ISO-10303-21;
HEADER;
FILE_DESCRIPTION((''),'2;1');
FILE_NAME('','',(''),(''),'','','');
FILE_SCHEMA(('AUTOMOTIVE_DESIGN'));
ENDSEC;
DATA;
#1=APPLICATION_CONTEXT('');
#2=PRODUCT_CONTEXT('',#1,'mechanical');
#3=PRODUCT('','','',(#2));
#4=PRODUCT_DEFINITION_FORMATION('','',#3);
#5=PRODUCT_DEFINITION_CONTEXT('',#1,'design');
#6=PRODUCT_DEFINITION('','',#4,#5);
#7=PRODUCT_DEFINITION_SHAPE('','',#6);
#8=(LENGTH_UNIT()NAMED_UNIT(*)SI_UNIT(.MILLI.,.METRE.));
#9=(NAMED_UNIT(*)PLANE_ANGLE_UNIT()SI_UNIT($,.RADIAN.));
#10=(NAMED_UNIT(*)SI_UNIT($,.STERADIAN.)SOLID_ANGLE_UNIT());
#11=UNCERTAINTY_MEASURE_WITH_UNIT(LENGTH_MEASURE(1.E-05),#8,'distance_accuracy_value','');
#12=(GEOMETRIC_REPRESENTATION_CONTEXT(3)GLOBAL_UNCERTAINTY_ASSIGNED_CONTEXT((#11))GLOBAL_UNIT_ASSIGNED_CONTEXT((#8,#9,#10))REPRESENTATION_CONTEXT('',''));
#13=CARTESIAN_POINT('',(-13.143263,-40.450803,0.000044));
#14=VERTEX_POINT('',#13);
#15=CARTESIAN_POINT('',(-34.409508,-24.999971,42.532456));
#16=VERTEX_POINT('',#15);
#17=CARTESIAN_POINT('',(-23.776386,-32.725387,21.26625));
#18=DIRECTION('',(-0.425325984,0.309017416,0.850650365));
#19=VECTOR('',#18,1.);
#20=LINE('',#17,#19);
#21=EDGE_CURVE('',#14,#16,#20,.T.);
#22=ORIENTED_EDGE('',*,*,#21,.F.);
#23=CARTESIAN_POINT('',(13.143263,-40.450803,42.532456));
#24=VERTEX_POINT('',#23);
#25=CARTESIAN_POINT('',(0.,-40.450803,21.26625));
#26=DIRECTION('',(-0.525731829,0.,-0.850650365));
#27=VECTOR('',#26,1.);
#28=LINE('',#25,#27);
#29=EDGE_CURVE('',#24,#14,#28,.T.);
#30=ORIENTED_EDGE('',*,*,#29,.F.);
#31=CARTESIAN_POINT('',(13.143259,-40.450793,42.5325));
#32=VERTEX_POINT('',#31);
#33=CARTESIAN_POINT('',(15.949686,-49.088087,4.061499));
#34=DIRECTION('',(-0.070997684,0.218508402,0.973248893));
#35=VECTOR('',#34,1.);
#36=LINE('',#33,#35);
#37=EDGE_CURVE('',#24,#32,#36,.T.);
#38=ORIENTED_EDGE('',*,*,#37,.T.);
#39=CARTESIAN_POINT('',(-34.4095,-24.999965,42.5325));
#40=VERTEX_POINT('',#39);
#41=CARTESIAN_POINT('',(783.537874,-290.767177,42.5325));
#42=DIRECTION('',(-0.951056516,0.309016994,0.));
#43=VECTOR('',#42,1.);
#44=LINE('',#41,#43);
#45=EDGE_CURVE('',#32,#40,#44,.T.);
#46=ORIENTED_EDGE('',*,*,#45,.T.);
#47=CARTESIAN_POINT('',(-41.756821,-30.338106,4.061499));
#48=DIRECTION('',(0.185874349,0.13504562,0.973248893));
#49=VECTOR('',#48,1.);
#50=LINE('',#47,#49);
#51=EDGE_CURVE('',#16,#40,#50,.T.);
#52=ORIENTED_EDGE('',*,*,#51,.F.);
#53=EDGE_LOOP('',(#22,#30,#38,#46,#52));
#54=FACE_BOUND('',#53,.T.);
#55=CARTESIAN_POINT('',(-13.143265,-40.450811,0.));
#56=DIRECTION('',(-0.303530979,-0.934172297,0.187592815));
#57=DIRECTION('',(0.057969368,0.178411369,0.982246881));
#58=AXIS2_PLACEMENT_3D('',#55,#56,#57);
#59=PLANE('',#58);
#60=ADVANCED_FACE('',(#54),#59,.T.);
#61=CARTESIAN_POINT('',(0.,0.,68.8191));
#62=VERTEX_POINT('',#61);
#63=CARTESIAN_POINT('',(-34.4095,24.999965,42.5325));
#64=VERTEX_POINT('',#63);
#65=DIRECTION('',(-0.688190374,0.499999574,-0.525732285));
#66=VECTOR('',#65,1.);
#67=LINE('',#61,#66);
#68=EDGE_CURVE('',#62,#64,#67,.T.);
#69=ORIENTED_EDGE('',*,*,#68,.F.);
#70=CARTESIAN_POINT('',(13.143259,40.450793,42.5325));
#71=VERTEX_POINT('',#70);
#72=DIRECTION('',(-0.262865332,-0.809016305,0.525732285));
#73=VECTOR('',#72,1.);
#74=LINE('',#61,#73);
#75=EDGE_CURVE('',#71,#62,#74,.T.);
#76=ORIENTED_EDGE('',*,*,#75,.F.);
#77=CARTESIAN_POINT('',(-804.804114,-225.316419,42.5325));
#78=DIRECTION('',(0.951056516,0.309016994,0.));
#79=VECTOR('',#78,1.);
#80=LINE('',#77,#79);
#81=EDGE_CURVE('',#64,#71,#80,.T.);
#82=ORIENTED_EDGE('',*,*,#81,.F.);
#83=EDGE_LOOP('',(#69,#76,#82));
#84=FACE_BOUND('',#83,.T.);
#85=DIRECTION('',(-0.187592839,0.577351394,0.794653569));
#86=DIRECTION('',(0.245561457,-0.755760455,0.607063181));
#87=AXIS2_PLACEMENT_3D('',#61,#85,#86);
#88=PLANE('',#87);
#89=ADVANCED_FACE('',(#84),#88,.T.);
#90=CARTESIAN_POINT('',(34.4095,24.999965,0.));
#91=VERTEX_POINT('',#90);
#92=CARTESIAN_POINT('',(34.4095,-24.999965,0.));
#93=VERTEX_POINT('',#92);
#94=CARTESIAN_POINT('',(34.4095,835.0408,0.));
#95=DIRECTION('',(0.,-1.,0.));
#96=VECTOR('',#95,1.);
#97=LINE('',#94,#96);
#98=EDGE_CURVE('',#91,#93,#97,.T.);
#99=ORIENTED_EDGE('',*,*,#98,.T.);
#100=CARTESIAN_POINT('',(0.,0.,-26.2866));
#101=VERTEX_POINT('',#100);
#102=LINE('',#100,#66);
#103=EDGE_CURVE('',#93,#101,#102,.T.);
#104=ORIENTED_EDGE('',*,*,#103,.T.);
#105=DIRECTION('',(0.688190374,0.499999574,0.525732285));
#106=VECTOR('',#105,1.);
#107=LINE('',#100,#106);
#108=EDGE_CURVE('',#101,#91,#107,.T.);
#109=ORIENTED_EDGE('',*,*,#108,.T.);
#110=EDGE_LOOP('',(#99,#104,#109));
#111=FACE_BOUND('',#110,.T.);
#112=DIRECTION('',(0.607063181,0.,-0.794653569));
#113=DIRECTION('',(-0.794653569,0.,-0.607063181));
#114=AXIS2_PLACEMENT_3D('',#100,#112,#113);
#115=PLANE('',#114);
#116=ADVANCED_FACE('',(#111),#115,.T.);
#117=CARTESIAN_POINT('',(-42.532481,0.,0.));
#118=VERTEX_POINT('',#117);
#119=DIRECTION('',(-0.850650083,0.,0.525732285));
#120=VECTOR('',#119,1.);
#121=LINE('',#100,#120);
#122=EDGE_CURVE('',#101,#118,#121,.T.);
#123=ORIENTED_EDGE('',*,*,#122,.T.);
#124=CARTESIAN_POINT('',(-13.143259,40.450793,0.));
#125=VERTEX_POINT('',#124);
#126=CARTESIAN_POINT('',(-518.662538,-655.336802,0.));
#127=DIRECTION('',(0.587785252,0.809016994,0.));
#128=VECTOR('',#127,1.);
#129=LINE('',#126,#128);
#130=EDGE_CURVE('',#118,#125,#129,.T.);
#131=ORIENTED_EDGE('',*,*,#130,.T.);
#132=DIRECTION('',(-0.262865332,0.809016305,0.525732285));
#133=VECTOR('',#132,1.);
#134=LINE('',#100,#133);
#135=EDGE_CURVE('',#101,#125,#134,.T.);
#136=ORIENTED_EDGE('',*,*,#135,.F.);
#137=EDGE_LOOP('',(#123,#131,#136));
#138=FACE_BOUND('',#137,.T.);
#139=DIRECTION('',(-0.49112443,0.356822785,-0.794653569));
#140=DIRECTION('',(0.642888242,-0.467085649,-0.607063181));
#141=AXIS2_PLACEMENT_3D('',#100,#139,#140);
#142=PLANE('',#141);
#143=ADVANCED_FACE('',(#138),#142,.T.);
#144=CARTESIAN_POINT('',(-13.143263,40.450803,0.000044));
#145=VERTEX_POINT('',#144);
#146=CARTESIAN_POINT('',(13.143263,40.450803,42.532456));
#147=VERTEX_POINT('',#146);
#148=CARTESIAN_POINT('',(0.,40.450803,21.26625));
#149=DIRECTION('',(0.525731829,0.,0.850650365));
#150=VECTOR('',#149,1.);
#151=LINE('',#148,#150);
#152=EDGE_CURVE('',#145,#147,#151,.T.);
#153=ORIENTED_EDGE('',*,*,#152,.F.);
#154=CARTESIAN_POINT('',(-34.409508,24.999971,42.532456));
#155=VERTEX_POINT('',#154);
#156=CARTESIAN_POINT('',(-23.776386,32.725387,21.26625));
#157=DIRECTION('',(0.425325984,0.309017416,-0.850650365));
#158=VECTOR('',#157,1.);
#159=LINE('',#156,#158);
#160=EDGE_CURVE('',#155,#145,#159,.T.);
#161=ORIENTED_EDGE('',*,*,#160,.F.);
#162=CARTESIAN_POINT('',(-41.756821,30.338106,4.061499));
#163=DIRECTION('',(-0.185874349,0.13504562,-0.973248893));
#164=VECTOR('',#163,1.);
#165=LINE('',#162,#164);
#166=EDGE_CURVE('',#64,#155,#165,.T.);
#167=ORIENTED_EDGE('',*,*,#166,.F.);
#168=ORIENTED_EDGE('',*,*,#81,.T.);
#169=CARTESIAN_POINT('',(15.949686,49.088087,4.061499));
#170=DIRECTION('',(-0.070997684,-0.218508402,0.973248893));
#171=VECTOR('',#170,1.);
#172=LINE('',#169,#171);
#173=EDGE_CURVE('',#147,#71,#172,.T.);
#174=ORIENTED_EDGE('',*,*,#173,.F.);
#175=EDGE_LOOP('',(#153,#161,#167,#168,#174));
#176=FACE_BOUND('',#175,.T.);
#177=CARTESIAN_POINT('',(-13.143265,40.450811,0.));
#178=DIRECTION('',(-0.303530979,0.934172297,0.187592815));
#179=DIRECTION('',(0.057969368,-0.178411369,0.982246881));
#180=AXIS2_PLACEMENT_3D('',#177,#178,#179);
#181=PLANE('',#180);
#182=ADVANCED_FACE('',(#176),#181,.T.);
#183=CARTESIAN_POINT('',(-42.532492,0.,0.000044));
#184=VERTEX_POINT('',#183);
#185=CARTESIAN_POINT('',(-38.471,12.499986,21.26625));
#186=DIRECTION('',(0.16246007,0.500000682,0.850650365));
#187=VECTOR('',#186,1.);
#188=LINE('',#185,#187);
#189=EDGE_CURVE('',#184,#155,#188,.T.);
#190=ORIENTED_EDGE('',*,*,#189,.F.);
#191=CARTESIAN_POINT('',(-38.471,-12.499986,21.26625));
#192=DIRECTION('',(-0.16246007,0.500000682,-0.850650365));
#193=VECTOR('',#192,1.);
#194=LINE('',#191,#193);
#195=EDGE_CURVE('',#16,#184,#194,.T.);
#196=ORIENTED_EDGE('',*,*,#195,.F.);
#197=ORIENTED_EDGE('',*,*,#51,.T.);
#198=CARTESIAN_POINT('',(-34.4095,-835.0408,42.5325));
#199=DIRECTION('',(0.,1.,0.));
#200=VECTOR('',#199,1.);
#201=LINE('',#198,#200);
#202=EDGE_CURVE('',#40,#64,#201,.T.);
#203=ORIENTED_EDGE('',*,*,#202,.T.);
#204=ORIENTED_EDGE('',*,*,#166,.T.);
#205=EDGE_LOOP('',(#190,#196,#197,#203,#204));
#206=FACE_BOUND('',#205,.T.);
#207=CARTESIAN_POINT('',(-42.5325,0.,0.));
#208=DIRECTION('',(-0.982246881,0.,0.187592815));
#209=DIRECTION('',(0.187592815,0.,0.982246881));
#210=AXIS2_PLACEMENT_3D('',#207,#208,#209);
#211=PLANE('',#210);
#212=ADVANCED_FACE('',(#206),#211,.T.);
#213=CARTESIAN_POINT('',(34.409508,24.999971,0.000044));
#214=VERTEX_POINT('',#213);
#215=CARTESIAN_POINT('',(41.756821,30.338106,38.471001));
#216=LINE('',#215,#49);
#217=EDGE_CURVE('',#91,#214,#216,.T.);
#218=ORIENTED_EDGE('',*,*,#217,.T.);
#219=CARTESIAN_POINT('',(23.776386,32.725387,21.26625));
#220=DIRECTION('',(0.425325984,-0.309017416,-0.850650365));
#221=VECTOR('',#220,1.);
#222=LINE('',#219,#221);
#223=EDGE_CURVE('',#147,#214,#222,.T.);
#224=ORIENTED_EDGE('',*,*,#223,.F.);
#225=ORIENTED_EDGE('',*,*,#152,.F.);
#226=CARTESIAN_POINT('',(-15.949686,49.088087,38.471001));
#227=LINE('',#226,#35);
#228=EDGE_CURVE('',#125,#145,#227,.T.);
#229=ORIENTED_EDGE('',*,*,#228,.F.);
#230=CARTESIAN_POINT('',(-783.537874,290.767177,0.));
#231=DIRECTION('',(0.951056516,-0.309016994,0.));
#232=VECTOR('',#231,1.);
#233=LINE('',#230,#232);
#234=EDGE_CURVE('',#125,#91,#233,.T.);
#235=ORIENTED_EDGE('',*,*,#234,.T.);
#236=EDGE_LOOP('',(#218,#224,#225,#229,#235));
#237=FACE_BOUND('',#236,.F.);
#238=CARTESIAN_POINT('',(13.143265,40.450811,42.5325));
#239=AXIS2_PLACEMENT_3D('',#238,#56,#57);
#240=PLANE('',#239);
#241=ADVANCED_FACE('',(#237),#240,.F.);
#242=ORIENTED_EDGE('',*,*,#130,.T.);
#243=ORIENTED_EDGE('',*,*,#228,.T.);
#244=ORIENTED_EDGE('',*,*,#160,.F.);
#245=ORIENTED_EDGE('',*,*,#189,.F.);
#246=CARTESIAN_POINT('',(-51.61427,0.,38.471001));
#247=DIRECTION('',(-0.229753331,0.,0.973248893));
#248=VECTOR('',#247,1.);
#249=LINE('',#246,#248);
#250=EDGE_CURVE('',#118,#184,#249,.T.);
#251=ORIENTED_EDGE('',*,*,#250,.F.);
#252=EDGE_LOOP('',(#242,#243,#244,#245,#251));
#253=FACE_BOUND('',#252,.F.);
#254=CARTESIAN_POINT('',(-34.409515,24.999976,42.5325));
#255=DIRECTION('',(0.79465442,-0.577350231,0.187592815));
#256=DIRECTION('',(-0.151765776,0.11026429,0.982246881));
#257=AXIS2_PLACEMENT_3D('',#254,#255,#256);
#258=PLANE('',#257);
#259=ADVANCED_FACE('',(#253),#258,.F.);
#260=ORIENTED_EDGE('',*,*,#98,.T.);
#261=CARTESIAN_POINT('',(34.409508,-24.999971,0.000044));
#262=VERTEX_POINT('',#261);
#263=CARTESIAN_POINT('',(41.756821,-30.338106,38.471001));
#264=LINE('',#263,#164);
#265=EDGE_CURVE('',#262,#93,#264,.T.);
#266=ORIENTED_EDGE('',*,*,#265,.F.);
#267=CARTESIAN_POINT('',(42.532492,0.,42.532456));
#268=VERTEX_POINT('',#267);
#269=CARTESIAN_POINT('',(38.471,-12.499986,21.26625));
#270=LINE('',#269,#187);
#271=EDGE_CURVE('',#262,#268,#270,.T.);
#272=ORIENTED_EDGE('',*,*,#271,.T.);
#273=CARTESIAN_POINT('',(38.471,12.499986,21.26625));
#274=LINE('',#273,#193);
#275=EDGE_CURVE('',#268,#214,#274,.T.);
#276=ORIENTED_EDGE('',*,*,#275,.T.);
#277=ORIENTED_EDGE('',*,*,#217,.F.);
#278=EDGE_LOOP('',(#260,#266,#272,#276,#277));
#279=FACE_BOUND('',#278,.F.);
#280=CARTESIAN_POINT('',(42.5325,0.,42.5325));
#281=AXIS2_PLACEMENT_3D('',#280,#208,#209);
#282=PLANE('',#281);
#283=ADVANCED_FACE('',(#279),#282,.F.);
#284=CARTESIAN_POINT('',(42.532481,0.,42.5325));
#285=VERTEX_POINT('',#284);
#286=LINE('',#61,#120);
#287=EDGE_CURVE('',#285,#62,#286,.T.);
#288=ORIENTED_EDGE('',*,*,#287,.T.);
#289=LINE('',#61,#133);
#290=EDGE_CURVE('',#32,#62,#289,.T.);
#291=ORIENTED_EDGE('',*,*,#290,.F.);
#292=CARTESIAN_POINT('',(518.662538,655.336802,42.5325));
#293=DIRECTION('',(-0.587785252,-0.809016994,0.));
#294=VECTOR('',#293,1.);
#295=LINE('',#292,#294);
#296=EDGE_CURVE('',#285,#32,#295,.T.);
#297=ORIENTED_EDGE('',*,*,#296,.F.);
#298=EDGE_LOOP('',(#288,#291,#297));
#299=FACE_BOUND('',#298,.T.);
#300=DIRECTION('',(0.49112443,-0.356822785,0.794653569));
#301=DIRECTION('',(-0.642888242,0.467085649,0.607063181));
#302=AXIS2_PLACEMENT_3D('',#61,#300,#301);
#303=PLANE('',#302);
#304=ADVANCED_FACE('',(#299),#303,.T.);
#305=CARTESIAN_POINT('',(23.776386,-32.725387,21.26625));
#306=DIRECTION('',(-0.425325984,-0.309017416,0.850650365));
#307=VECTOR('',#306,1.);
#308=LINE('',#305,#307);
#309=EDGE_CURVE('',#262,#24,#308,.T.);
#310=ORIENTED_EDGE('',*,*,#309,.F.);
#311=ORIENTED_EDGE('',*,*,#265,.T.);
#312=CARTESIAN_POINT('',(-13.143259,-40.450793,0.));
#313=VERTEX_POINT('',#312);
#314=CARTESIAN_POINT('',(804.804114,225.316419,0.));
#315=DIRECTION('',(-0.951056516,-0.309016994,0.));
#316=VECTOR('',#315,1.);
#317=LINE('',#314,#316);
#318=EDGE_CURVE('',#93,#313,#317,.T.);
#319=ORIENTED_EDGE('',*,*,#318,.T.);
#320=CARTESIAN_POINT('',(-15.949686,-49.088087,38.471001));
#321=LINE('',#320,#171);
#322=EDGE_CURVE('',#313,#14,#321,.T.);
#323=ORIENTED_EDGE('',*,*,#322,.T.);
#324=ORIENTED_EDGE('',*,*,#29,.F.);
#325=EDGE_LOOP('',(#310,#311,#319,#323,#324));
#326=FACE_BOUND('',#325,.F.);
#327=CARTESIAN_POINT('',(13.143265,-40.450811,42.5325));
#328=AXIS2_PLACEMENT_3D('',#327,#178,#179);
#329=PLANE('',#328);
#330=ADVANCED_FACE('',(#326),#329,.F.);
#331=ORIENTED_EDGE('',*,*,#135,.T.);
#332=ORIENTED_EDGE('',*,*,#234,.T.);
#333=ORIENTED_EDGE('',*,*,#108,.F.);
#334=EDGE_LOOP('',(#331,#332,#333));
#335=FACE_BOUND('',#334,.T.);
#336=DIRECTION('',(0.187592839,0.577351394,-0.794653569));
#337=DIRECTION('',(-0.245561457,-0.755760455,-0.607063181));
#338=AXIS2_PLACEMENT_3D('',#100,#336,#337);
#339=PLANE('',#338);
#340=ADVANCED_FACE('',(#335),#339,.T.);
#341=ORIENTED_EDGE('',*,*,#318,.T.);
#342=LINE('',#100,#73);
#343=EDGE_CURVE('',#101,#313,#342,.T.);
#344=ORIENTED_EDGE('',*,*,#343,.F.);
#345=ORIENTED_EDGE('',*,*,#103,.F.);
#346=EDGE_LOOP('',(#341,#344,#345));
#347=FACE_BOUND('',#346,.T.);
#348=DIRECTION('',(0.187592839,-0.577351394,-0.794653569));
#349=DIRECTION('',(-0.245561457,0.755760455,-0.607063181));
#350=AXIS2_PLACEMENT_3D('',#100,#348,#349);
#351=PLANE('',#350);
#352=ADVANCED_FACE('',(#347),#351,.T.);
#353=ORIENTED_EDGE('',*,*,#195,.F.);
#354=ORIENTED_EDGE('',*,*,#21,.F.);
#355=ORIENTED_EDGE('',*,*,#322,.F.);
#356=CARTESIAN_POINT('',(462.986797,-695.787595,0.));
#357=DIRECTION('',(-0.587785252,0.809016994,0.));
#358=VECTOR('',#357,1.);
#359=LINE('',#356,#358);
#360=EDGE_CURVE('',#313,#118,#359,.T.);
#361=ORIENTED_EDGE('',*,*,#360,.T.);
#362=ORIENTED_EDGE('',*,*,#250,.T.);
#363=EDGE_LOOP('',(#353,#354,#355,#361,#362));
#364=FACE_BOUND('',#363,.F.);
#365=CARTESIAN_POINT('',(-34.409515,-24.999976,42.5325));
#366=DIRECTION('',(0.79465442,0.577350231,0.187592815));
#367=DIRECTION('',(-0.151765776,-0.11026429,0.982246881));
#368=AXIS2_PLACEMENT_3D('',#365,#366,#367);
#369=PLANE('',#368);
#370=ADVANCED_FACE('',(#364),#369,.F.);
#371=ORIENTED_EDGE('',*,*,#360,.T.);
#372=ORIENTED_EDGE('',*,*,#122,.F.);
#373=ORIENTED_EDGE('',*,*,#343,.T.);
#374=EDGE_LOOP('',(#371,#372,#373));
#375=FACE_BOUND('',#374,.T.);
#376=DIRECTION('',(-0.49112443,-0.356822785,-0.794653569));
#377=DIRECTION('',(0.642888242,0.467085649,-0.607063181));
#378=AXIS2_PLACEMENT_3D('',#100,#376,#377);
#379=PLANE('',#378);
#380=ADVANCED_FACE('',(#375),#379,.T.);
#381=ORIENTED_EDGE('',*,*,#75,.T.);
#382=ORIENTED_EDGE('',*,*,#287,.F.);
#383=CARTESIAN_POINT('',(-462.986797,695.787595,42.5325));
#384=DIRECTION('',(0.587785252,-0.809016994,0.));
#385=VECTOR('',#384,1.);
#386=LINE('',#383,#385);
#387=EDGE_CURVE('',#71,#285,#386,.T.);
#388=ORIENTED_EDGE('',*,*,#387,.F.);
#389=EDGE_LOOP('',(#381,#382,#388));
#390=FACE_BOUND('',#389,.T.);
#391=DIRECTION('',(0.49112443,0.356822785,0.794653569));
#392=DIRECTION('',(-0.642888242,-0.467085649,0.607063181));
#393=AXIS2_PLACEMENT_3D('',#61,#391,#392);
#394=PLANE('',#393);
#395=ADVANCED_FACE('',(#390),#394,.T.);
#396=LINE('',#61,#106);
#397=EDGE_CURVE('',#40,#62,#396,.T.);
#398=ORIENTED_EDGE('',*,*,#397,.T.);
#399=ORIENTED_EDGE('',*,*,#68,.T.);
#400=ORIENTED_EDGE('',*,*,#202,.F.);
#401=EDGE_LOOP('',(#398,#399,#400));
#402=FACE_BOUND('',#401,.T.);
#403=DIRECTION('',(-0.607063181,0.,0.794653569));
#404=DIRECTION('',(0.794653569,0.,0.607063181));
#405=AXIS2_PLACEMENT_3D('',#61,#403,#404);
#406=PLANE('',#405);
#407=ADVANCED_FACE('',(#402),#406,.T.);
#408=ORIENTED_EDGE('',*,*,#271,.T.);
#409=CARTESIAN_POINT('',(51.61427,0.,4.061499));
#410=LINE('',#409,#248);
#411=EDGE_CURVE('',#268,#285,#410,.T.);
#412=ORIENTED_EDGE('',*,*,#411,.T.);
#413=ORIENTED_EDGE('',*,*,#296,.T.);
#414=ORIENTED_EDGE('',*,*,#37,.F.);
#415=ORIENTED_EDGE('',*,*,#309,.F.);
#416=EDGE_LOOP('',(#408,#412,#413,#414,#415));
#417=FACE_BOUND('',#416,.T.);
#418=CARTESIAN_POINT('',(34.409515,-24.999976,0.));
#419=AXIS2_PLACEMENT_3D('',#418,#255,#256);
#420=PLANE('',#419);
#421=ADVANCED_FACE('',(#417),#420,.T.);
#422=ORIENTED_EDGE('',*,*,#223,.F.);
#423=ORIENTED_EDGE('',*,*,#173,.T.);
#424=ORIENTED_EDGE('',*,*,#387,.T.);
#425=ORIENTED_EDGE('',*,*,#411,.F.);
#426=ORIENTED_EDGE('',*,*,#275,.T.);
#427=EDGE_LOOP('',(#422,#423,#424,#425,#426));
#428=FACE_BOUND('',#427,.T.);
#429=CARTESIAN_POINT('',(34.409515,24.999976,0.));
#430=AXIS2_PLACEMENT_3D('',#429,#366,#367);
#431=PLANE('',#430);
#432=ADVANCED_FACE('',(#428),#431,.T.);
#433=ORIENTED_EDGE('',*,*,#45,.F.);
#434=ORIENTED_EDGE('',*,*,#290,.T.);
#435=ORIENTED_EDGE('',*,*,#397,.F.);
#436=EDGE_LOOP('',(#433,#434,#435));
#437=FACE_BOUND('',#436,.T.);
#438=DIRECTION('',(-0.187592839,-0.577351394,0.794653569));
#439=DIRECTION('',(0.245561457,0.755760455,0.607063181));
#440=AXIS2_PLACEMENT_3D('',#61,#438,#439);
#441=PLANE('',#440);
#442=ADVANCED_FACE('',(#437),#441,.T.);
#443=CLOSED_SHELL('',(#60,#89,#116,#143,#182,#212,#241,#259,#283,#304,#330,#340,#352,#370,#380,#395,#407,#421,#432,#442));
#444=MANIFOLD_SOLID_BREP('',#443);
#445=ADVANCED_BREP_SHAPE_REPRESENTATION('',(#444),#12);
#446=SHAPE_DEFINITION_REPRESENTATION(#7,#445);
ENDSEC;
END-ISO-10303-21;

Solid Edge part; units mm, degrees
sketch "Sketch1" plane through (0, 0, 0) normal (0, -1, 0) x (1, 0, 0)
  arc A0 (0, 108.7632) -> (0, -66.2307) centre (0, 21.2663) ccw
  line L0 (0, 108.7632) -> (0, -66.2307)
revolve "RevolvedProtrusion1" add sketch "Sketch1" angle 360 about axis through (0, 0, 108.7632) along (0, 0, -1)
sketch "Sketch2" plane through (0, 0, 0) normal (0, -1, 0) x (1, 0, 0)
  line L0 (-34.4095, 42.5325) -> (0, 68.8191)
  line L1 (-42.5325, 0) -> (-34.4095, 42.5325)
extrude "Cutout1" cut sketch "Sketch2" along normal through all and the other way through all material side at (-17.2351, 0, 55.7155)
sketch "Sketch3" plane through (0, 0, 0) normal (0, -1, 0) x (1, 0, 0)
  line L0 (42.5325, 42.5325) -> (34.4095, 0)
  line L1 (0, -26.2866) -> (34.4095, 0)
extrude "Cutout2" cut sketch "Sketch3" along normal through all and the other way through all material side at (38.5201, 0, 21.2569)
pattern_circular "Pattern1" count 5 over 360 about axis through (0, 0, 0) along (0, 0, 1) of "Cutout1", "Cutout2"
